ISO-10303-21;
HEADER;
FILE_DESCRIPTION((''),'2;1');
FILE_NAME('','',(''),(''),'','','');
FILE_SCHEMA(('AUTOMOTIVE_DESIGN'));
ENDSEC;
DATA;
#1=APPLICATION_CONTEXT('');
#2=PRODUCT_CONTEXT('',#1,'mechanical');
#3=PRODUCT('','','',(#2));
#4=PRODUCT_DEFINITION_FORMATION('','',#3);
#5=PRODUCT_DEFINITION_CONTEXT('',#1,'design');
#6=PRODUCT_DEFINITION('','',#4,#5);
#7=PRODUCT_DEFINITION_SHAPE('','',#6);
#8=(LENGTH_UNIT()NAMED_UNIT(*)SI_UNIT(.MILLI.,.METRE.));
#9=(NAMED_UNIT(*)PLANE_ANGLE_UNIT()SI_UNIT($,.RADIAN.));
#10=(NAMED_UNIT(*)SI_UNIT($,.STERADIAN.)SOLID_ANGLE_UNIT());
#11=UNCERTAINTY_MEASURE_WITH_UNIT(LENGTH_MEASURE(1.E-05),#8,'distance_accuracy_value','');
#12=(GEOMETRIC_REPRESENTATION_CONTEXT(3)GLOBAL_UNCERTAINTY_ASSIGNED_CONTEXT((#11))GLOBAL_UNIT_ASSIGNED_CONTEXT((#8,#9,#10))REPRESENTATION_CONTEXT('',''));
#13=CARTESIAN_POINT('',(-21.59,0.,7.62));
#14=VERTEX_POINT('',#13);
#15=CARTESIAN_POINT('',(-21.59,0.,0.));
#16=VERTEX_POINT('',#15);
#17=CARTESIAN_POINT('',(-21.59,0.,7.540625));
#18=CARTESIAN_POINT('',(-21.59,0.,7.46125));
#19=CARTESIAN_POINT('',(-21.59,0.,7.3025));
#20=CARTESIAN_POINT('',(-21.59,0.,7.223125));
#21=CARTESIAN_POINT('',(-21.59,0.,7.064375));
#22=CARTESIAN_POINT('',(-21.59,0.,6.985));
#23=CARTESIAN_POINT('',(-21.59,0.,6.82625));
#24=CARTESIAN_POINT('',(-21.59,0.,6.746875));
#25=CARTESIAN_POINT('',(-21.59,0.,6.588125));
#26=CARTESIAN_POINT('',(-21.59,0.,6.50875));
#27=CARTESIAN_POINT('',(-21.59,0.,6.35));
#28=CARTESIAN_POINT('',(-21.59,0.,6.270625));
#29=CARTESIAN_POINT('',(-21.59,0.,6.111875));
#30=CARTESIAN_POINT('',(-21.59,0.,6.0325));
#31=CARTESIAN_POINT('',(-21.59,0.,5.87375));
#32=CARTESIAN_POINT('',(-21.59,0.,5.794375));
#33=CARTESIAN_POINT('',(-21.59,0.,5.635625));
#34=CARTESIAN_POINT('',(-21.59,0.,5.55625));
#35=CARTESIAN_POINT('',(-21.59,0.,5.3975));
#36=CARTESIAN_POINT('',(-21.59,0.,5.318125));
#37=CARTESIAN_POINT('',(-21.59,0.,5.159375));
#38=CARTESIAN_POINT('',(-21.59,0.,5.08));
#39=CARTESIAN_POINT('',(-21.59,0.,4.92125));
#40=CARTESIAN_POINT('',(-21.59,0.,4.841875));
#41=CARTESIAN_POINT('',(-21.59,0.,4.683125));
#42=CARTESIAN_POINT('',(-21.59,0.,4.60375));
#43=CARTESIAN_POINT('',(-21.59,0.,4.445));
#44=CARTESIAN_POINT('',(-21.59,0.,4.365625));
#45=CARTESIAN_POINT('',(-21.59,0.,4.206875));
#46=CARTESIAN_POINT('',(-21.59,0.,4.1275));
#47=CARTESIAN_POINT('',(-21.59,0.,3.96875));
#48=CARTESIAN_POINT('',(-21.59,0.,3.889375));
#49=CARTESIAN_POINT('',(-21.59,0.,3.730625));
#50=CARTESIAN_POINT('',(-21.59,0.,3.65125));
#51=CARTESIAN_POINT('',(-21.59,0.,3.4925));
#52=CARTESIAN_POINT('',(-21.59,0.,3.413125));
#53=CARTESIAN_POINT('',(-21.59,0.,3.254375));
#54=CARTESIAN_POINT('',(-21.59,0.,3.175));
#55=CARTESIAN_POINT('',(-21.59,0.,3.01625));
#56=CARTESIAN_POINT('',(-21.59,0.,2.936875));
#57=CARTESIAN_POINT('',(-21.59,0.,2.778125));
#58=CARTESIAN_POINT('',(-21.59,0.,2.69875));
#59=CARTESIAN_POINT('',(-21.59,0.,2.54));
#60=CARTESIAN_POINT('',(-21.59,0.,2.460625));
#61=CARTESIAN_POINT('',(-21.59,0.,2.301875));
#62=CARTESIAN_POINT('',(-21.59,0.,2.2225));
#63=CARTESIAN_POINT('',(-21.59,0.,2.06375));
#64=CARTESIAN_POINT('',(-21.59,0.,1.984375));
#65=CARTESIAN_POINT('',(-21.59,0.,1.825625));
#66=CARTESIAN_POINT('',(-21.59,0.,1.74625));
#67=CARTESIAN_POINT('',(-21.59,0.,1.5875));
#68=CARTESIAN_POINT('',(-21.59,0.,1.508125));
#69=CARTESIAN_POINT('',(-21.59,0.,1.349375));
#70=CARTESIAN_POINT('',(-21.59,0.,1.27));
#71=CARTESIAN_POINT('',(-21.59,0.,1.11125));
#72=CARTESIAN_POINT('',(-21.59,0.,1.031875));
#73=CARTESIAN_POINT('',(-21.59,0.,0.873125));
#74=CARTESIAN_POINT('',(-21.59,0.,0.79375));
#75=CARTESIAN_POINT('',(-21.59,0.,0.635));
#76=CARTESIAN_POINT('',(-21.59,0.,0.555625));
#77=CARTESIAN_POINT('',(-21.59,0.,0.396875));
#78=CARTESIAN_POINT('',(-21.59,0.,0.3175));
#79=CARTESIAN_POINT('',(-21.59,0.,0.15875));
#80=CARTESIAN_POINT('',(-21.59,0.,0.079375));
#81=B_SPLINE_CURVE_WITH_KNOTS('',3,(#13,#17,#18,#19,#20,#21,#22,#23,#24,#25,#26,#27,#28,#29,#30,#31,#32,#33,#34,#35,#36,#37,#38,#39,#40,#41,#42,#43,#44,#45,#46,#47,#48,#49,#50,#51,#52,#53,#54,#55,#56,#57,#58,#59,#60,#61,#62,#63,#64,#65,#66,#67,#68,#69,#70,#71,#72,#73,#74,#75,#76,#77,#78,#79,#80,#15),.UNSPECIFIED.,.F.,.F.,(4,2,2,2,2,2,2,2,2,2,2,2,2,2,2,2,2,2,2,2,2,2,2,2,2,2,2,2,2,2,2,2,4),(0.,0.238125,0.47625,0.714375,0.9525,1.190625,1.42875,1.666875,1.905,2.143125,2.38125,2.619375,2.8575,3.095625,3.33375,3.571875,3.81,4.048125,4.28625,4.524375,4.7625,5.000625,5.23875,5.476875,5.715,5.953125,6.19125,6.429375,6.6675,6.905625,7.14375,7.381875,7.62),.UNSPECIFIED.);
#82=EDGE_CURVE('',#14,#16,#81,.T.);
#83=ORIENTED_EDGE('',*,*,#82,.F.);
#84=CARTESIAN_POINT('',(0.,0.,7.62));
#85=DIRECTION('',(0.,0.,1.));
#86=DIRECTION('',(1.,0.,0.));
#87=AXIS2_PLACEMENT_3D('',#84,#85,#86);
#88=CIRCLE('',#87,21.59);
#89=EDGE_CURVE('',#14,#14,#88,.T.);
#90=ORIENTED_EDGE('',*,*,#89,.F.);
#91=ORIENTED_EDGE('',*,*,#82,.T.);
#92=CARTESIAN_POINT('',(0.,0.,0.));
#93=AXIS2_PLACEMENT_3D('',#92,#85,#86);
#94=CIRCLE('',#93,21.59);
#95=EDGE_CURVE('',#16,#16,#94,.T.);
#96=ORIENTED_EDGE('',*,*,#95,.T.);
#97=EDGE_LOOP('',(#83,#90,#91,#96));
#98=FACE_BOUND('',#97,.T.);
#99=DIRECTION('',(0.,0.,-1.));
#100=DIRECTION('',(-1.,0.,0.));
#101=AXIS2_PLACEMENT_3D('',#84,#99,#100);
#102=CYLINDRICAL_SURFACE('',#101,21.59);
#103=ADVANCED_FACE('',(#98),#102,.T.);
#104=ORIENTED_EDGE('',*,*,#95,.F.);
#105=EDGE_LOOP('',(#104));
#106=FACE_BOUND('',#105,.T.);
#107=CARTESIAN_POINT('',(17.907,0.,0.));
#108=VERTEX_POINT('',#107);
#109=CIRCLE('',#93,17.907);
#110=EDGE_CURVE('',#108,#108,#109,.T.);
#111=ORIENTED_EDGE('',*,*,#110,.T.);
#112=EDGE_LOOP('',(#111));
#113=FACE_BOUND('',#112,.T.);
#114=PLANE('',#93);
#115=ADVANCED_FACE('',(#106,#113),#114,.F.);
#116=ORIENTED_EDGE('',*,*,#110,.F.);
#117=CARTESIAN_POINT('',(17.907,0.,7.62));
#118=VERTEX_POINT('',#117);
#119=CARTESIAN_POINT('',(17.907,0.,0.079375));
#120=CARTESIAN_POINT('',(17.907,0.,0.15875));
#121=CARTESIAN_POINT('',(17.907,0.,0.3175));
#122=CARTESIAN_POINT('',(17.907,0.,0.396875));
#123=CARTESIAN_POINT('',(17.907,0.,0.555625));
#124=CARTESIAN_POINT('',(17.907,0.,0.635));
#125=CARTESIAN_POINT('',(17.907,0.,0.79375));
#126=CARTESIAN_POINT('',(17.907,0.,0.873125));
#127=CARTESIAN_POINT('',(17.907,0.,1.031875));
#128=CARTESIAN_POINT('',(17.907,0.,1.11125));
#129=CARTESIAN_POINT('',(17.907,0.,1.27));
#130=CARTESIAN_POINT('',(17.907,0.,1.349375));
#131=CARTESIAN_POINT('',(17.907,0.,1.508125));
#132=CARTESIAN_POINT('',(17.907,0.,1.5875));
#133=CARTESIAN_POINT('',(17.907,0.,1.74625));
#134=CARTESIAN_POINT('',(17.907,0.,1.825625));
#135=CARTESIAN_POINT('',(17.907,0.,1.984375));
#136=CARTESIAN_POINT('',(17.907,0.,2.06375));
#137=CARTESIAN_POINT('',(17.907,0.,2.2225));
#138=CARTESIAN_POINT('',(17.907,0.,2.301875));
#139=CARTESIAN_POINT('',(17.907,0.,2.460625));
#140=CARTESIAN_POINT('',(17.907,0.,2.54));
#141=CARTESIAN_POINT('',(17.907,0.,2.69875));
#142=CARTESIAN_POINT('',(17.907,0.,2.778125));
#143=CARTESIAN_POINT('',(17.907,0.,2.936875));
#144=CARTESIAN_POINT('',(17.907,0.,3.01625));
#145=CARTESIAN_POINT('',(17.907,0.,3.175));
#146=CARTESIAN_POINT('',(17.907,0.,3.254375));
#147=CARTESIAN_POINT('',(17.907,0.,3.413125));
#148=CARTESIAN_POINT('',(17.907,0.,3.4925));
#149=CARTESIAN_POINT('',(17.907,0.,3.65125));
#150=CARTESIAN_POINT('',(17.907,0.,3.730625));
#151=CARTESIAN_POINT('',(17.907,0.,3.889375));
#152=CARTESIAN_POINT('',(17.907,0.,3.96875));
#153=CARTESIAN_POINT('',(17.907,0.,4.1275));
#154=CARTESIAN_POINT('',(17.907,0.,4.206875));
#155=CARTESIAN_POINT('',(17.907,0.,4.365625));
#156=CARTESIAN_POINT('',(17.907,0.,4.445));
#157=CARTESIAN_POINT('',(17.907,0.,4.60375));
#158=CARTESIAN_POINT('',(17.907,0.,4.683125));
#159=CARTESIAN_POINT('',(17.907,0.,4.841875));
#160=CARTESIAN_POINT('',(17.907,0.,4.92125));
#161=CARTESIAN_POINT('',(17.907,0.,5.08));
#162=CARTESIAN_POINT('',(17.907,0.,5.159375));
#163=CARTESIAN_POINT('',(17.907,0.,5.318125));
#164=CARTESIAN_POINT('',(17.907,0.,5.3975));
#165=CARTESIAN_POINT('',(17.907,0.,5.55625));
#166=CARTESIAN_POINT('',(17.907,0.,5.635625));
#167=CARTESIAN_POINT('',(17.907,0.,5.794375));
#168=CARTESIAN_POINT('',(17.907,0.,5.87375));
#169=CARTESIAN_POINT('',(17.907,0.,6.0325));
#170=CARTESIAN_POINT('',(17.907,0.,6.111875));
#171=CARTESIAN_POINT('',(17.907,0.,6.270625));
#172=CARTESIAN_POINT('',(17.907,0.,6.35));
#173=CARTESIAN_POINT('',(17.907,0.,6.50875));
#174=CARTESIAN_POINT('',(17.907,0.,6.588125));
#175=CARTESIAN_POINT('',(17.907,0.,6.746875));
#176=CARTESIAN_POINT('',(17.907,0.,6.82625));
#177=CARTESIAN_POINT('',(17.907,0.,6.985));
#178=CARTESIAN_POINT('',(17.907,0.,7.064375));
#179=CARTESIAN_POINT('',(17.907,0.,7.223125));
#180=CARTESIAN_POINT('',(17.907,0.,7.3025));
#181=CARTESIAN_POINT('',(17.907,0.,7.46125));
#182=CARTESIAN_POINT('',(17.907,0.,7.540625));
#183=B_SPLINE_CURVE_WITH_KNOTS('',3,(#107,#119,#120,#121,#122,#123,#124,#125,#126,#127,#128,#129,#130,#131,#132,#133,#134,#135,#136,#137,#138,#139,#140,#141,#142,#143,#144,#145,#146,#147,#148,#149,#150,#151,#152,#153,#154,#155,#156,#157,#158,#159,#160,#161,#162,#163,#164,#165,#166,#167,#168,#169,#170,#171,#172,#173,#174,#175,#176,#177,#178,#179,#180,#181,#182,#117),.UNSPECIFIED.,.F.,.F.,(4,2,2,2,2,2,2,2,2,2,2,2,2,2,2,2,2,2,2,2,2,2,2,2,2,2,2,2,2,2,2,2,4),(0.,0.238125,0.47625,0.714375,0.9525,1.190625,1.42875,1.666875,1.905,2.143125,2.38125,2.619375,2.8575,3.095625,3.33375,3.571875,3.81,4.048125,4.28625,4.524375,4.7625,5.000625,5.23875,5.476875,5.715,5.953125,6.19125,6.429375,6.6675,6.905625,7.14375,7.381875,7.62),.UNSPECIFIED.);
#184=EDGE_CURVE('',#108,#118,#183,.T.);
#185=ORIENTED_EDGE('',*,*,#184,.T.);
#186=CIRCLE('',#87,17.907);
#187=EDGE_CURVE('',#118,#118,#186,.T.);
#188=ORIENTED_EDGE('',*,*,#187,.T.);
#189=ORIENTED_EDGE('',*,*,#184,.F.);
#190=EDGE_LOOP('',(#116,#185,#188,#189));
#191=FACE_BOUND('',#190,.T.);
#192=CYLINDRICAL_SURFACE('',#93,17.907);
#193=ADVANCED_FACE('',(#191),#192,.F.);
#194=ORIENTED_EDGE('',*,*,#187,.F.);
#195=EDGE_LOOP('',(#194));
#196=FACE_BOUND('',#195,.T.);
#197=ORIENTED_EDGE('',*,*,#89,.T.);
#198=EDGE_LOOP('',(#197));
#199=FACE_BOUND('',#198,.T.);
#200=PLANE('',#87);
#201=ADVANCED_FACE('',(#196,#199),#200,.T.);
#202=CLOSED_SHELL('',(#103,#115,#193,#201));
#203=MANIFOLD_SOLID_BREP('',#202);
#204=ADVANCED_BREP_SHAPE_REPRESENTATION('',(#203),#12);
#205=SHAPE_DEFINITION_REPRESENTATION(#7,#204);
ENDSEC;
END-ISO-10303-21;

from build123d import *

# Parameters (mm, degrees)
SKETCH1_R           = 21.59
BOSS_EXTRUDE1_DEPTH = 7.62
SKETCH2_R           = 17.907
CUT_EXTRUDE1_DEPTH  = 7.62


with BuildPart() as part:
    # Sketch1 → Boss-Extrude1 (new body)
    with BuildSketch(Plane.XY):
        with Locations(Location((0, 0, 0), (0, 0, 180))):
            Circle(SKETCH1_R)
    extrude(amount=BOSS_EXTRUDE1_DEPTH)

    # Sketch2 → Cut-Extrude1 (cut)
    with BuildSketch(Plane.XY.offset(7.62)):
        Circle(SKETCH2_R)
    extrude(amount=-CUT_EXTRUDE1_DEPTH, mode=Mode.SUBTRACT)


solid = part.part
